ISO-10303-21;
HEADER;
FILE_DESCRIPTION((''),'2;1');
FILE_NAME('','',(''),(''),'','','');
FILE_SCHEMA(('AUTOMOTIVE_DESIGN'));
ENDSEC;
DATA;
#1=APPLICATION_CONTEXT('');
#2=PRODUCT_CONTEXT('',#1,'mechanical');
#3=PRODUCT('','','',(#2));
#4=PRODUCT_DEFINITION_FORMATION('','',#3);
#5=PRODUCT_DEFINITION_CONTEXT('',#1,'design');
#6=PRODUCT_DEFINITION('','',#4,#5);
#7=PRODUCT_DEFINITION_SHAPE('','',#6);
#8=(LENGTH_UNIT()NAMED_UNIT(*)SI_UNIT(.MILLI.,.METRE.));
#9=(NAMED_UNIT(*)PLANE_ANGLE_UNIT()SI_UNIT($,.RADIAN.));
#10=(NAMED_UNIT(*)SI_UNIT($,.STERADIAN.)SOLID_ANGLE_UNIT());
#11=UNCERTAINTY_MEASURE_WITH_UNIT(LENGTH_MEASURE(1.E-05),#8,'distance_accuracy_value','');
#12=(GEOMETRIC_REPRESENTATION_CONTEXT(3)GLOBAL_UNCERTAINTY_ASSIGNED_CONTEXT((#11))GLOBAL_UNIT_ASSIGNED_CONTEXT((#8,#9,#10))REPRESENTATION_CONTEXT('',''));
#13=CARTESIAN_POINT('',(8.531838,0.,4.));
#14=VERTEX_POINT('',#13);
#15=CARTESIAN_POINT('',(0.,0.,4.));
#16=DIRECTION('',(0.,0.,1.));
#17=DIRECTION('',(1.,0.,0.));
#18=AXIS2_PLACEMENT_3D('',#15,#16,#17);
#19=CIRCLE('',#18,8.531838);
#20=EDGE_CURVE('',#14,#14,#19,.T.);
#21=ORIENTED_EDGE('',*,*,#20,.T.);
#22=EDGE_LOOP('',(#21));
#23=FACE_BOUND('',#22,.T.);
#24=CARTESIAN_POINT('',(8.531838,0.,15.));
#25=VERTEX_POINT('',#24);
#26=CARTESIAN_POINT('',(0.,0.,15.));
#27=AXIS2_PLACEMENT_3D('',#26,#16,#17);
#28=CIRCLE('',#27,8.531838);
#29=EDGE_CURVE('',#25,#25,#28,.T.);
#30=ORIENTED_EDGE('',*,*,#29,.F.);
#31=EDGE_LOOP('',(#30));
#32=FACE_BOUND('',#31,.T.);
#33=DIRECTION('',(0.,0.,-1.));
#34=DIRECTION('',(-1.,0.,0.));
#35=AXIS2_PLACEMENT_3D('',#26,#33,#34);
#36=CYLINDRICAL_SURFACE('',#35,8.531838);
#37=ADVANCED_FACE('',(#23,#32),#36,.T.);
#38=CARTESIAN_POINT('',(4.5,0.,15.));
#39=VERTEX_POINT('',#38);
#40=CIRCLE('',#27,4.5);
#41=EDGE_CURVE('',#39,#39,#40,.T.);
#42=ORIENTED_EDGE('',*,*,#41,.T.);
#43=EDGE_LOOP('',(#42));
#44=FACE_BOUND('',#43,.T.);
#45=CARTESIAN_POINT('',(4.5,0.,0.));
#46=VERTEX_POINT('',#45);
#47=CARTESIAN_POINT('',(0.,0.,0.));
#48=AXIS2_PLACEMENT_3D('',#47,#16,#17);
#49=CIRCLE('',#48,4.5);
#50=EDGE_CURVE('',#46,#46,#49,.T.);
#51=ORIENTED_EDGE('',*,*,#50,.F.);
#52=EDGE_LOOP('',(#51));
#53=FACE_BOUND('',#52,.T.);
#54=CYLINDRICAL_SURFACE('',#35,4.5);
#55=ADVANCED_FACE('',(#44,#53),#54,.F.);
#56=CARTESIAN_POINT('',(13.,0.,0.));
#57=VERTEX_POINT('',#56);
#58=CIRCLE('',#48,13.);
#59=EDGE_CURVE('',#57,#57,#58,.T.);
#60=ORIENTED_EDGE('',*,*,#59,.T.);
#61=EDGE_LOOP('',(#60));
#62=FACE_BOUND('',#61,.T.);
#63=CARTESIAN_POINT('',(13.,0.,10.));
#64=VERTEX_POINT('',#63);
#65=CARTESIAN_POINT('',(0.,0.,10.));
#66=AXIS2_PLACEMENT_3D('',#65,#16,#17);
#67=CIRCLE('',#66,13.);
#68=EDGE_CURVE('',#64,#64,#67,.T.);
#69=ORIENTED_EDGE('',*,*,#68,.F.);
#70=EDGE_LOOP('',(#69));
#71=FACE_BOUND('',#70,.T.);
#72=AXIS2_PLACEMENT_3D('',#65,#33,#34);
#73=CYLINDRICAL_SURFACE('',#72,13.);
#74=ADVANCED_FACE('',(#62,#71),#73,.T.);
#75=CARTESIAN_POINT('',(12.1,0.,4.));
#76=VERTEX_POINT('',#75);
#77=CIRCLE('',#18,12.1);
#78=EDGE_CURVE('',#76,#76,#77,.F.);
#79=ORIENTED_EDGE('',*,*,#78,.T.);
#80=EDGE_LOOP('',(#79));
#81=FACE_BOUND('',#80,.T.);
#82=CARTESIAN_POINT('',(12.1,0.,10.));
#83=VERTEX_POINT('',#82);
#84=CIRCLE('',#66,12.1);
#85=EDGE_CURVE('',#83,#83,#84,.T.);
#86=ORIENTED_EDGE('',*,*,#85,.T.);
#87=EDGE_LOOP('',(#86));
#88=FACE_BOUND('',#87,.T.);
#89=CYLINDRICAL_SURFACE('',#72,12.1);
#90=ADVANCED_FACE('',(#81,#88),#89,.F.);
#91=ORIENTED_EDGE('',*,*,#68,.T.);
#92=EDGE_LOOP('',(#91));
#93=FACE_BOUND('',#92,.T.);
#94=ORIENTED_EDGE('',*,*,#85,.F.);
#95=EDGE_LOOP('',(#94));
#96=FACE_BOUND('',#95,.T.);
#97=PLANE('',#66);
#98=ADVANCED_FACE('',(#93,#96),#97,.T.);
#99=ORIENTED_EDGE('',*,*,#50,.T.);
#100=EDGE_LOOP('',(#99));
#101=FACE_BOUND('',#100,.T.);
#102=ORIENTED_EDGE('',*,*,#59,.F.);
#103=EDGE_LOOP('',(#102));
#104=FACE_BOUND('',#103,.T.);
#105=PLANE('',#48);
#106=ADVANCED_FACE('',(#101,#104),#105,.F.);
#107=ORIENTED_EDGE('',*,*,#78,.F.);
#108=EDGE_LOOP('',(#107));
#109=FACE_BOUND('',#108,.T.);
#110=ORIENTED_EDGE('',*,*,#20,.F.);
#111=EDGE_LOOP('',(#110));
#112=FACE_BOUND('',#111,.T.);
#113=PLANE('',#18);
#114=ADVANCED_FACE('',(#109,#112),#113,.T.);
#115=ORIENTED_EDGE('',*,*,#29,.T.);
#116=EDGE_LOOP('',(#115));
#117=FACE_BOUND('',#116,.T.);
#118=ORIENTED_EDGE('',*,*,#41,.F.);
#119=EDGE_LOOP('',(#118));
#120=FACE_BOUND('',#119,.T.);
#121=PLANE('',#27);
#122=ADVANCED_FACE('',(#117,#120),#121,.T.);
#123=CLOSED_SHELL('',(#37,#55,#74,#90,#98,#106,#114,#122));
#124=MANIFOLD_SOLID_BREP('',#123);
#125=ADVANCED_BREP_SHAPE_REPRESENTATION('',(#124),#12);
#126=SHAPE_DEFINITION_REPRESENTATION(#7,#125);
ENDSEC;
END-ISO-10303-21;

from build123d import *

# Parameters (mm, degrees)
SKETCH_1_R      = 12.1
SKETCH_1_R_2    = 8.531837724
EXTRUDE_1_DEPTH = 4
SKETCH_1_4_R    = 13
SKETCH_1_4_R_2  = 12.1
EXTRUDE_2_DEPTH = 10
SKETCH_1_5_R    = 8.531837724
SKETCH_1_5_R_2  = 4.5
EXTRUDE_3_DEPTH = 15


with BuildPart() as part:
    # Эскиз1 → Бобышка-Вытянуть1 (new body)
    with BuildSketch(Plane.XY):
        Circle(SKETCH_1_R)
        Circle(SKETCH_1_R_2, mode=Mode.SUBTRACT)
    extrude(amount=EXTRUDE_1_DEPTH)

    # Эскиз1<4> → Бобышка-Вытянуть2 (add)
    with BuildSketch(Plane.XY):
        Circle(SKETCH_1_4_R)
        Circle(SKETCH_1_4_R_2, mode=Mode.SUBTRACT)
    extrude(amount=EXTRUDE_2_DEPTH)

    # Эскиз1<5> → Бобышка-Вытянуть3 (add)
    with BuildSketch(Plane.XY):
        Circle(SKETCH_1_5_R)
        Circle(SKETCH_1_5_R_2, mode=Mode.SUBTRACT)
    extrude(amount=EXTRUDE_3_DEPTH)


solid = part.part
